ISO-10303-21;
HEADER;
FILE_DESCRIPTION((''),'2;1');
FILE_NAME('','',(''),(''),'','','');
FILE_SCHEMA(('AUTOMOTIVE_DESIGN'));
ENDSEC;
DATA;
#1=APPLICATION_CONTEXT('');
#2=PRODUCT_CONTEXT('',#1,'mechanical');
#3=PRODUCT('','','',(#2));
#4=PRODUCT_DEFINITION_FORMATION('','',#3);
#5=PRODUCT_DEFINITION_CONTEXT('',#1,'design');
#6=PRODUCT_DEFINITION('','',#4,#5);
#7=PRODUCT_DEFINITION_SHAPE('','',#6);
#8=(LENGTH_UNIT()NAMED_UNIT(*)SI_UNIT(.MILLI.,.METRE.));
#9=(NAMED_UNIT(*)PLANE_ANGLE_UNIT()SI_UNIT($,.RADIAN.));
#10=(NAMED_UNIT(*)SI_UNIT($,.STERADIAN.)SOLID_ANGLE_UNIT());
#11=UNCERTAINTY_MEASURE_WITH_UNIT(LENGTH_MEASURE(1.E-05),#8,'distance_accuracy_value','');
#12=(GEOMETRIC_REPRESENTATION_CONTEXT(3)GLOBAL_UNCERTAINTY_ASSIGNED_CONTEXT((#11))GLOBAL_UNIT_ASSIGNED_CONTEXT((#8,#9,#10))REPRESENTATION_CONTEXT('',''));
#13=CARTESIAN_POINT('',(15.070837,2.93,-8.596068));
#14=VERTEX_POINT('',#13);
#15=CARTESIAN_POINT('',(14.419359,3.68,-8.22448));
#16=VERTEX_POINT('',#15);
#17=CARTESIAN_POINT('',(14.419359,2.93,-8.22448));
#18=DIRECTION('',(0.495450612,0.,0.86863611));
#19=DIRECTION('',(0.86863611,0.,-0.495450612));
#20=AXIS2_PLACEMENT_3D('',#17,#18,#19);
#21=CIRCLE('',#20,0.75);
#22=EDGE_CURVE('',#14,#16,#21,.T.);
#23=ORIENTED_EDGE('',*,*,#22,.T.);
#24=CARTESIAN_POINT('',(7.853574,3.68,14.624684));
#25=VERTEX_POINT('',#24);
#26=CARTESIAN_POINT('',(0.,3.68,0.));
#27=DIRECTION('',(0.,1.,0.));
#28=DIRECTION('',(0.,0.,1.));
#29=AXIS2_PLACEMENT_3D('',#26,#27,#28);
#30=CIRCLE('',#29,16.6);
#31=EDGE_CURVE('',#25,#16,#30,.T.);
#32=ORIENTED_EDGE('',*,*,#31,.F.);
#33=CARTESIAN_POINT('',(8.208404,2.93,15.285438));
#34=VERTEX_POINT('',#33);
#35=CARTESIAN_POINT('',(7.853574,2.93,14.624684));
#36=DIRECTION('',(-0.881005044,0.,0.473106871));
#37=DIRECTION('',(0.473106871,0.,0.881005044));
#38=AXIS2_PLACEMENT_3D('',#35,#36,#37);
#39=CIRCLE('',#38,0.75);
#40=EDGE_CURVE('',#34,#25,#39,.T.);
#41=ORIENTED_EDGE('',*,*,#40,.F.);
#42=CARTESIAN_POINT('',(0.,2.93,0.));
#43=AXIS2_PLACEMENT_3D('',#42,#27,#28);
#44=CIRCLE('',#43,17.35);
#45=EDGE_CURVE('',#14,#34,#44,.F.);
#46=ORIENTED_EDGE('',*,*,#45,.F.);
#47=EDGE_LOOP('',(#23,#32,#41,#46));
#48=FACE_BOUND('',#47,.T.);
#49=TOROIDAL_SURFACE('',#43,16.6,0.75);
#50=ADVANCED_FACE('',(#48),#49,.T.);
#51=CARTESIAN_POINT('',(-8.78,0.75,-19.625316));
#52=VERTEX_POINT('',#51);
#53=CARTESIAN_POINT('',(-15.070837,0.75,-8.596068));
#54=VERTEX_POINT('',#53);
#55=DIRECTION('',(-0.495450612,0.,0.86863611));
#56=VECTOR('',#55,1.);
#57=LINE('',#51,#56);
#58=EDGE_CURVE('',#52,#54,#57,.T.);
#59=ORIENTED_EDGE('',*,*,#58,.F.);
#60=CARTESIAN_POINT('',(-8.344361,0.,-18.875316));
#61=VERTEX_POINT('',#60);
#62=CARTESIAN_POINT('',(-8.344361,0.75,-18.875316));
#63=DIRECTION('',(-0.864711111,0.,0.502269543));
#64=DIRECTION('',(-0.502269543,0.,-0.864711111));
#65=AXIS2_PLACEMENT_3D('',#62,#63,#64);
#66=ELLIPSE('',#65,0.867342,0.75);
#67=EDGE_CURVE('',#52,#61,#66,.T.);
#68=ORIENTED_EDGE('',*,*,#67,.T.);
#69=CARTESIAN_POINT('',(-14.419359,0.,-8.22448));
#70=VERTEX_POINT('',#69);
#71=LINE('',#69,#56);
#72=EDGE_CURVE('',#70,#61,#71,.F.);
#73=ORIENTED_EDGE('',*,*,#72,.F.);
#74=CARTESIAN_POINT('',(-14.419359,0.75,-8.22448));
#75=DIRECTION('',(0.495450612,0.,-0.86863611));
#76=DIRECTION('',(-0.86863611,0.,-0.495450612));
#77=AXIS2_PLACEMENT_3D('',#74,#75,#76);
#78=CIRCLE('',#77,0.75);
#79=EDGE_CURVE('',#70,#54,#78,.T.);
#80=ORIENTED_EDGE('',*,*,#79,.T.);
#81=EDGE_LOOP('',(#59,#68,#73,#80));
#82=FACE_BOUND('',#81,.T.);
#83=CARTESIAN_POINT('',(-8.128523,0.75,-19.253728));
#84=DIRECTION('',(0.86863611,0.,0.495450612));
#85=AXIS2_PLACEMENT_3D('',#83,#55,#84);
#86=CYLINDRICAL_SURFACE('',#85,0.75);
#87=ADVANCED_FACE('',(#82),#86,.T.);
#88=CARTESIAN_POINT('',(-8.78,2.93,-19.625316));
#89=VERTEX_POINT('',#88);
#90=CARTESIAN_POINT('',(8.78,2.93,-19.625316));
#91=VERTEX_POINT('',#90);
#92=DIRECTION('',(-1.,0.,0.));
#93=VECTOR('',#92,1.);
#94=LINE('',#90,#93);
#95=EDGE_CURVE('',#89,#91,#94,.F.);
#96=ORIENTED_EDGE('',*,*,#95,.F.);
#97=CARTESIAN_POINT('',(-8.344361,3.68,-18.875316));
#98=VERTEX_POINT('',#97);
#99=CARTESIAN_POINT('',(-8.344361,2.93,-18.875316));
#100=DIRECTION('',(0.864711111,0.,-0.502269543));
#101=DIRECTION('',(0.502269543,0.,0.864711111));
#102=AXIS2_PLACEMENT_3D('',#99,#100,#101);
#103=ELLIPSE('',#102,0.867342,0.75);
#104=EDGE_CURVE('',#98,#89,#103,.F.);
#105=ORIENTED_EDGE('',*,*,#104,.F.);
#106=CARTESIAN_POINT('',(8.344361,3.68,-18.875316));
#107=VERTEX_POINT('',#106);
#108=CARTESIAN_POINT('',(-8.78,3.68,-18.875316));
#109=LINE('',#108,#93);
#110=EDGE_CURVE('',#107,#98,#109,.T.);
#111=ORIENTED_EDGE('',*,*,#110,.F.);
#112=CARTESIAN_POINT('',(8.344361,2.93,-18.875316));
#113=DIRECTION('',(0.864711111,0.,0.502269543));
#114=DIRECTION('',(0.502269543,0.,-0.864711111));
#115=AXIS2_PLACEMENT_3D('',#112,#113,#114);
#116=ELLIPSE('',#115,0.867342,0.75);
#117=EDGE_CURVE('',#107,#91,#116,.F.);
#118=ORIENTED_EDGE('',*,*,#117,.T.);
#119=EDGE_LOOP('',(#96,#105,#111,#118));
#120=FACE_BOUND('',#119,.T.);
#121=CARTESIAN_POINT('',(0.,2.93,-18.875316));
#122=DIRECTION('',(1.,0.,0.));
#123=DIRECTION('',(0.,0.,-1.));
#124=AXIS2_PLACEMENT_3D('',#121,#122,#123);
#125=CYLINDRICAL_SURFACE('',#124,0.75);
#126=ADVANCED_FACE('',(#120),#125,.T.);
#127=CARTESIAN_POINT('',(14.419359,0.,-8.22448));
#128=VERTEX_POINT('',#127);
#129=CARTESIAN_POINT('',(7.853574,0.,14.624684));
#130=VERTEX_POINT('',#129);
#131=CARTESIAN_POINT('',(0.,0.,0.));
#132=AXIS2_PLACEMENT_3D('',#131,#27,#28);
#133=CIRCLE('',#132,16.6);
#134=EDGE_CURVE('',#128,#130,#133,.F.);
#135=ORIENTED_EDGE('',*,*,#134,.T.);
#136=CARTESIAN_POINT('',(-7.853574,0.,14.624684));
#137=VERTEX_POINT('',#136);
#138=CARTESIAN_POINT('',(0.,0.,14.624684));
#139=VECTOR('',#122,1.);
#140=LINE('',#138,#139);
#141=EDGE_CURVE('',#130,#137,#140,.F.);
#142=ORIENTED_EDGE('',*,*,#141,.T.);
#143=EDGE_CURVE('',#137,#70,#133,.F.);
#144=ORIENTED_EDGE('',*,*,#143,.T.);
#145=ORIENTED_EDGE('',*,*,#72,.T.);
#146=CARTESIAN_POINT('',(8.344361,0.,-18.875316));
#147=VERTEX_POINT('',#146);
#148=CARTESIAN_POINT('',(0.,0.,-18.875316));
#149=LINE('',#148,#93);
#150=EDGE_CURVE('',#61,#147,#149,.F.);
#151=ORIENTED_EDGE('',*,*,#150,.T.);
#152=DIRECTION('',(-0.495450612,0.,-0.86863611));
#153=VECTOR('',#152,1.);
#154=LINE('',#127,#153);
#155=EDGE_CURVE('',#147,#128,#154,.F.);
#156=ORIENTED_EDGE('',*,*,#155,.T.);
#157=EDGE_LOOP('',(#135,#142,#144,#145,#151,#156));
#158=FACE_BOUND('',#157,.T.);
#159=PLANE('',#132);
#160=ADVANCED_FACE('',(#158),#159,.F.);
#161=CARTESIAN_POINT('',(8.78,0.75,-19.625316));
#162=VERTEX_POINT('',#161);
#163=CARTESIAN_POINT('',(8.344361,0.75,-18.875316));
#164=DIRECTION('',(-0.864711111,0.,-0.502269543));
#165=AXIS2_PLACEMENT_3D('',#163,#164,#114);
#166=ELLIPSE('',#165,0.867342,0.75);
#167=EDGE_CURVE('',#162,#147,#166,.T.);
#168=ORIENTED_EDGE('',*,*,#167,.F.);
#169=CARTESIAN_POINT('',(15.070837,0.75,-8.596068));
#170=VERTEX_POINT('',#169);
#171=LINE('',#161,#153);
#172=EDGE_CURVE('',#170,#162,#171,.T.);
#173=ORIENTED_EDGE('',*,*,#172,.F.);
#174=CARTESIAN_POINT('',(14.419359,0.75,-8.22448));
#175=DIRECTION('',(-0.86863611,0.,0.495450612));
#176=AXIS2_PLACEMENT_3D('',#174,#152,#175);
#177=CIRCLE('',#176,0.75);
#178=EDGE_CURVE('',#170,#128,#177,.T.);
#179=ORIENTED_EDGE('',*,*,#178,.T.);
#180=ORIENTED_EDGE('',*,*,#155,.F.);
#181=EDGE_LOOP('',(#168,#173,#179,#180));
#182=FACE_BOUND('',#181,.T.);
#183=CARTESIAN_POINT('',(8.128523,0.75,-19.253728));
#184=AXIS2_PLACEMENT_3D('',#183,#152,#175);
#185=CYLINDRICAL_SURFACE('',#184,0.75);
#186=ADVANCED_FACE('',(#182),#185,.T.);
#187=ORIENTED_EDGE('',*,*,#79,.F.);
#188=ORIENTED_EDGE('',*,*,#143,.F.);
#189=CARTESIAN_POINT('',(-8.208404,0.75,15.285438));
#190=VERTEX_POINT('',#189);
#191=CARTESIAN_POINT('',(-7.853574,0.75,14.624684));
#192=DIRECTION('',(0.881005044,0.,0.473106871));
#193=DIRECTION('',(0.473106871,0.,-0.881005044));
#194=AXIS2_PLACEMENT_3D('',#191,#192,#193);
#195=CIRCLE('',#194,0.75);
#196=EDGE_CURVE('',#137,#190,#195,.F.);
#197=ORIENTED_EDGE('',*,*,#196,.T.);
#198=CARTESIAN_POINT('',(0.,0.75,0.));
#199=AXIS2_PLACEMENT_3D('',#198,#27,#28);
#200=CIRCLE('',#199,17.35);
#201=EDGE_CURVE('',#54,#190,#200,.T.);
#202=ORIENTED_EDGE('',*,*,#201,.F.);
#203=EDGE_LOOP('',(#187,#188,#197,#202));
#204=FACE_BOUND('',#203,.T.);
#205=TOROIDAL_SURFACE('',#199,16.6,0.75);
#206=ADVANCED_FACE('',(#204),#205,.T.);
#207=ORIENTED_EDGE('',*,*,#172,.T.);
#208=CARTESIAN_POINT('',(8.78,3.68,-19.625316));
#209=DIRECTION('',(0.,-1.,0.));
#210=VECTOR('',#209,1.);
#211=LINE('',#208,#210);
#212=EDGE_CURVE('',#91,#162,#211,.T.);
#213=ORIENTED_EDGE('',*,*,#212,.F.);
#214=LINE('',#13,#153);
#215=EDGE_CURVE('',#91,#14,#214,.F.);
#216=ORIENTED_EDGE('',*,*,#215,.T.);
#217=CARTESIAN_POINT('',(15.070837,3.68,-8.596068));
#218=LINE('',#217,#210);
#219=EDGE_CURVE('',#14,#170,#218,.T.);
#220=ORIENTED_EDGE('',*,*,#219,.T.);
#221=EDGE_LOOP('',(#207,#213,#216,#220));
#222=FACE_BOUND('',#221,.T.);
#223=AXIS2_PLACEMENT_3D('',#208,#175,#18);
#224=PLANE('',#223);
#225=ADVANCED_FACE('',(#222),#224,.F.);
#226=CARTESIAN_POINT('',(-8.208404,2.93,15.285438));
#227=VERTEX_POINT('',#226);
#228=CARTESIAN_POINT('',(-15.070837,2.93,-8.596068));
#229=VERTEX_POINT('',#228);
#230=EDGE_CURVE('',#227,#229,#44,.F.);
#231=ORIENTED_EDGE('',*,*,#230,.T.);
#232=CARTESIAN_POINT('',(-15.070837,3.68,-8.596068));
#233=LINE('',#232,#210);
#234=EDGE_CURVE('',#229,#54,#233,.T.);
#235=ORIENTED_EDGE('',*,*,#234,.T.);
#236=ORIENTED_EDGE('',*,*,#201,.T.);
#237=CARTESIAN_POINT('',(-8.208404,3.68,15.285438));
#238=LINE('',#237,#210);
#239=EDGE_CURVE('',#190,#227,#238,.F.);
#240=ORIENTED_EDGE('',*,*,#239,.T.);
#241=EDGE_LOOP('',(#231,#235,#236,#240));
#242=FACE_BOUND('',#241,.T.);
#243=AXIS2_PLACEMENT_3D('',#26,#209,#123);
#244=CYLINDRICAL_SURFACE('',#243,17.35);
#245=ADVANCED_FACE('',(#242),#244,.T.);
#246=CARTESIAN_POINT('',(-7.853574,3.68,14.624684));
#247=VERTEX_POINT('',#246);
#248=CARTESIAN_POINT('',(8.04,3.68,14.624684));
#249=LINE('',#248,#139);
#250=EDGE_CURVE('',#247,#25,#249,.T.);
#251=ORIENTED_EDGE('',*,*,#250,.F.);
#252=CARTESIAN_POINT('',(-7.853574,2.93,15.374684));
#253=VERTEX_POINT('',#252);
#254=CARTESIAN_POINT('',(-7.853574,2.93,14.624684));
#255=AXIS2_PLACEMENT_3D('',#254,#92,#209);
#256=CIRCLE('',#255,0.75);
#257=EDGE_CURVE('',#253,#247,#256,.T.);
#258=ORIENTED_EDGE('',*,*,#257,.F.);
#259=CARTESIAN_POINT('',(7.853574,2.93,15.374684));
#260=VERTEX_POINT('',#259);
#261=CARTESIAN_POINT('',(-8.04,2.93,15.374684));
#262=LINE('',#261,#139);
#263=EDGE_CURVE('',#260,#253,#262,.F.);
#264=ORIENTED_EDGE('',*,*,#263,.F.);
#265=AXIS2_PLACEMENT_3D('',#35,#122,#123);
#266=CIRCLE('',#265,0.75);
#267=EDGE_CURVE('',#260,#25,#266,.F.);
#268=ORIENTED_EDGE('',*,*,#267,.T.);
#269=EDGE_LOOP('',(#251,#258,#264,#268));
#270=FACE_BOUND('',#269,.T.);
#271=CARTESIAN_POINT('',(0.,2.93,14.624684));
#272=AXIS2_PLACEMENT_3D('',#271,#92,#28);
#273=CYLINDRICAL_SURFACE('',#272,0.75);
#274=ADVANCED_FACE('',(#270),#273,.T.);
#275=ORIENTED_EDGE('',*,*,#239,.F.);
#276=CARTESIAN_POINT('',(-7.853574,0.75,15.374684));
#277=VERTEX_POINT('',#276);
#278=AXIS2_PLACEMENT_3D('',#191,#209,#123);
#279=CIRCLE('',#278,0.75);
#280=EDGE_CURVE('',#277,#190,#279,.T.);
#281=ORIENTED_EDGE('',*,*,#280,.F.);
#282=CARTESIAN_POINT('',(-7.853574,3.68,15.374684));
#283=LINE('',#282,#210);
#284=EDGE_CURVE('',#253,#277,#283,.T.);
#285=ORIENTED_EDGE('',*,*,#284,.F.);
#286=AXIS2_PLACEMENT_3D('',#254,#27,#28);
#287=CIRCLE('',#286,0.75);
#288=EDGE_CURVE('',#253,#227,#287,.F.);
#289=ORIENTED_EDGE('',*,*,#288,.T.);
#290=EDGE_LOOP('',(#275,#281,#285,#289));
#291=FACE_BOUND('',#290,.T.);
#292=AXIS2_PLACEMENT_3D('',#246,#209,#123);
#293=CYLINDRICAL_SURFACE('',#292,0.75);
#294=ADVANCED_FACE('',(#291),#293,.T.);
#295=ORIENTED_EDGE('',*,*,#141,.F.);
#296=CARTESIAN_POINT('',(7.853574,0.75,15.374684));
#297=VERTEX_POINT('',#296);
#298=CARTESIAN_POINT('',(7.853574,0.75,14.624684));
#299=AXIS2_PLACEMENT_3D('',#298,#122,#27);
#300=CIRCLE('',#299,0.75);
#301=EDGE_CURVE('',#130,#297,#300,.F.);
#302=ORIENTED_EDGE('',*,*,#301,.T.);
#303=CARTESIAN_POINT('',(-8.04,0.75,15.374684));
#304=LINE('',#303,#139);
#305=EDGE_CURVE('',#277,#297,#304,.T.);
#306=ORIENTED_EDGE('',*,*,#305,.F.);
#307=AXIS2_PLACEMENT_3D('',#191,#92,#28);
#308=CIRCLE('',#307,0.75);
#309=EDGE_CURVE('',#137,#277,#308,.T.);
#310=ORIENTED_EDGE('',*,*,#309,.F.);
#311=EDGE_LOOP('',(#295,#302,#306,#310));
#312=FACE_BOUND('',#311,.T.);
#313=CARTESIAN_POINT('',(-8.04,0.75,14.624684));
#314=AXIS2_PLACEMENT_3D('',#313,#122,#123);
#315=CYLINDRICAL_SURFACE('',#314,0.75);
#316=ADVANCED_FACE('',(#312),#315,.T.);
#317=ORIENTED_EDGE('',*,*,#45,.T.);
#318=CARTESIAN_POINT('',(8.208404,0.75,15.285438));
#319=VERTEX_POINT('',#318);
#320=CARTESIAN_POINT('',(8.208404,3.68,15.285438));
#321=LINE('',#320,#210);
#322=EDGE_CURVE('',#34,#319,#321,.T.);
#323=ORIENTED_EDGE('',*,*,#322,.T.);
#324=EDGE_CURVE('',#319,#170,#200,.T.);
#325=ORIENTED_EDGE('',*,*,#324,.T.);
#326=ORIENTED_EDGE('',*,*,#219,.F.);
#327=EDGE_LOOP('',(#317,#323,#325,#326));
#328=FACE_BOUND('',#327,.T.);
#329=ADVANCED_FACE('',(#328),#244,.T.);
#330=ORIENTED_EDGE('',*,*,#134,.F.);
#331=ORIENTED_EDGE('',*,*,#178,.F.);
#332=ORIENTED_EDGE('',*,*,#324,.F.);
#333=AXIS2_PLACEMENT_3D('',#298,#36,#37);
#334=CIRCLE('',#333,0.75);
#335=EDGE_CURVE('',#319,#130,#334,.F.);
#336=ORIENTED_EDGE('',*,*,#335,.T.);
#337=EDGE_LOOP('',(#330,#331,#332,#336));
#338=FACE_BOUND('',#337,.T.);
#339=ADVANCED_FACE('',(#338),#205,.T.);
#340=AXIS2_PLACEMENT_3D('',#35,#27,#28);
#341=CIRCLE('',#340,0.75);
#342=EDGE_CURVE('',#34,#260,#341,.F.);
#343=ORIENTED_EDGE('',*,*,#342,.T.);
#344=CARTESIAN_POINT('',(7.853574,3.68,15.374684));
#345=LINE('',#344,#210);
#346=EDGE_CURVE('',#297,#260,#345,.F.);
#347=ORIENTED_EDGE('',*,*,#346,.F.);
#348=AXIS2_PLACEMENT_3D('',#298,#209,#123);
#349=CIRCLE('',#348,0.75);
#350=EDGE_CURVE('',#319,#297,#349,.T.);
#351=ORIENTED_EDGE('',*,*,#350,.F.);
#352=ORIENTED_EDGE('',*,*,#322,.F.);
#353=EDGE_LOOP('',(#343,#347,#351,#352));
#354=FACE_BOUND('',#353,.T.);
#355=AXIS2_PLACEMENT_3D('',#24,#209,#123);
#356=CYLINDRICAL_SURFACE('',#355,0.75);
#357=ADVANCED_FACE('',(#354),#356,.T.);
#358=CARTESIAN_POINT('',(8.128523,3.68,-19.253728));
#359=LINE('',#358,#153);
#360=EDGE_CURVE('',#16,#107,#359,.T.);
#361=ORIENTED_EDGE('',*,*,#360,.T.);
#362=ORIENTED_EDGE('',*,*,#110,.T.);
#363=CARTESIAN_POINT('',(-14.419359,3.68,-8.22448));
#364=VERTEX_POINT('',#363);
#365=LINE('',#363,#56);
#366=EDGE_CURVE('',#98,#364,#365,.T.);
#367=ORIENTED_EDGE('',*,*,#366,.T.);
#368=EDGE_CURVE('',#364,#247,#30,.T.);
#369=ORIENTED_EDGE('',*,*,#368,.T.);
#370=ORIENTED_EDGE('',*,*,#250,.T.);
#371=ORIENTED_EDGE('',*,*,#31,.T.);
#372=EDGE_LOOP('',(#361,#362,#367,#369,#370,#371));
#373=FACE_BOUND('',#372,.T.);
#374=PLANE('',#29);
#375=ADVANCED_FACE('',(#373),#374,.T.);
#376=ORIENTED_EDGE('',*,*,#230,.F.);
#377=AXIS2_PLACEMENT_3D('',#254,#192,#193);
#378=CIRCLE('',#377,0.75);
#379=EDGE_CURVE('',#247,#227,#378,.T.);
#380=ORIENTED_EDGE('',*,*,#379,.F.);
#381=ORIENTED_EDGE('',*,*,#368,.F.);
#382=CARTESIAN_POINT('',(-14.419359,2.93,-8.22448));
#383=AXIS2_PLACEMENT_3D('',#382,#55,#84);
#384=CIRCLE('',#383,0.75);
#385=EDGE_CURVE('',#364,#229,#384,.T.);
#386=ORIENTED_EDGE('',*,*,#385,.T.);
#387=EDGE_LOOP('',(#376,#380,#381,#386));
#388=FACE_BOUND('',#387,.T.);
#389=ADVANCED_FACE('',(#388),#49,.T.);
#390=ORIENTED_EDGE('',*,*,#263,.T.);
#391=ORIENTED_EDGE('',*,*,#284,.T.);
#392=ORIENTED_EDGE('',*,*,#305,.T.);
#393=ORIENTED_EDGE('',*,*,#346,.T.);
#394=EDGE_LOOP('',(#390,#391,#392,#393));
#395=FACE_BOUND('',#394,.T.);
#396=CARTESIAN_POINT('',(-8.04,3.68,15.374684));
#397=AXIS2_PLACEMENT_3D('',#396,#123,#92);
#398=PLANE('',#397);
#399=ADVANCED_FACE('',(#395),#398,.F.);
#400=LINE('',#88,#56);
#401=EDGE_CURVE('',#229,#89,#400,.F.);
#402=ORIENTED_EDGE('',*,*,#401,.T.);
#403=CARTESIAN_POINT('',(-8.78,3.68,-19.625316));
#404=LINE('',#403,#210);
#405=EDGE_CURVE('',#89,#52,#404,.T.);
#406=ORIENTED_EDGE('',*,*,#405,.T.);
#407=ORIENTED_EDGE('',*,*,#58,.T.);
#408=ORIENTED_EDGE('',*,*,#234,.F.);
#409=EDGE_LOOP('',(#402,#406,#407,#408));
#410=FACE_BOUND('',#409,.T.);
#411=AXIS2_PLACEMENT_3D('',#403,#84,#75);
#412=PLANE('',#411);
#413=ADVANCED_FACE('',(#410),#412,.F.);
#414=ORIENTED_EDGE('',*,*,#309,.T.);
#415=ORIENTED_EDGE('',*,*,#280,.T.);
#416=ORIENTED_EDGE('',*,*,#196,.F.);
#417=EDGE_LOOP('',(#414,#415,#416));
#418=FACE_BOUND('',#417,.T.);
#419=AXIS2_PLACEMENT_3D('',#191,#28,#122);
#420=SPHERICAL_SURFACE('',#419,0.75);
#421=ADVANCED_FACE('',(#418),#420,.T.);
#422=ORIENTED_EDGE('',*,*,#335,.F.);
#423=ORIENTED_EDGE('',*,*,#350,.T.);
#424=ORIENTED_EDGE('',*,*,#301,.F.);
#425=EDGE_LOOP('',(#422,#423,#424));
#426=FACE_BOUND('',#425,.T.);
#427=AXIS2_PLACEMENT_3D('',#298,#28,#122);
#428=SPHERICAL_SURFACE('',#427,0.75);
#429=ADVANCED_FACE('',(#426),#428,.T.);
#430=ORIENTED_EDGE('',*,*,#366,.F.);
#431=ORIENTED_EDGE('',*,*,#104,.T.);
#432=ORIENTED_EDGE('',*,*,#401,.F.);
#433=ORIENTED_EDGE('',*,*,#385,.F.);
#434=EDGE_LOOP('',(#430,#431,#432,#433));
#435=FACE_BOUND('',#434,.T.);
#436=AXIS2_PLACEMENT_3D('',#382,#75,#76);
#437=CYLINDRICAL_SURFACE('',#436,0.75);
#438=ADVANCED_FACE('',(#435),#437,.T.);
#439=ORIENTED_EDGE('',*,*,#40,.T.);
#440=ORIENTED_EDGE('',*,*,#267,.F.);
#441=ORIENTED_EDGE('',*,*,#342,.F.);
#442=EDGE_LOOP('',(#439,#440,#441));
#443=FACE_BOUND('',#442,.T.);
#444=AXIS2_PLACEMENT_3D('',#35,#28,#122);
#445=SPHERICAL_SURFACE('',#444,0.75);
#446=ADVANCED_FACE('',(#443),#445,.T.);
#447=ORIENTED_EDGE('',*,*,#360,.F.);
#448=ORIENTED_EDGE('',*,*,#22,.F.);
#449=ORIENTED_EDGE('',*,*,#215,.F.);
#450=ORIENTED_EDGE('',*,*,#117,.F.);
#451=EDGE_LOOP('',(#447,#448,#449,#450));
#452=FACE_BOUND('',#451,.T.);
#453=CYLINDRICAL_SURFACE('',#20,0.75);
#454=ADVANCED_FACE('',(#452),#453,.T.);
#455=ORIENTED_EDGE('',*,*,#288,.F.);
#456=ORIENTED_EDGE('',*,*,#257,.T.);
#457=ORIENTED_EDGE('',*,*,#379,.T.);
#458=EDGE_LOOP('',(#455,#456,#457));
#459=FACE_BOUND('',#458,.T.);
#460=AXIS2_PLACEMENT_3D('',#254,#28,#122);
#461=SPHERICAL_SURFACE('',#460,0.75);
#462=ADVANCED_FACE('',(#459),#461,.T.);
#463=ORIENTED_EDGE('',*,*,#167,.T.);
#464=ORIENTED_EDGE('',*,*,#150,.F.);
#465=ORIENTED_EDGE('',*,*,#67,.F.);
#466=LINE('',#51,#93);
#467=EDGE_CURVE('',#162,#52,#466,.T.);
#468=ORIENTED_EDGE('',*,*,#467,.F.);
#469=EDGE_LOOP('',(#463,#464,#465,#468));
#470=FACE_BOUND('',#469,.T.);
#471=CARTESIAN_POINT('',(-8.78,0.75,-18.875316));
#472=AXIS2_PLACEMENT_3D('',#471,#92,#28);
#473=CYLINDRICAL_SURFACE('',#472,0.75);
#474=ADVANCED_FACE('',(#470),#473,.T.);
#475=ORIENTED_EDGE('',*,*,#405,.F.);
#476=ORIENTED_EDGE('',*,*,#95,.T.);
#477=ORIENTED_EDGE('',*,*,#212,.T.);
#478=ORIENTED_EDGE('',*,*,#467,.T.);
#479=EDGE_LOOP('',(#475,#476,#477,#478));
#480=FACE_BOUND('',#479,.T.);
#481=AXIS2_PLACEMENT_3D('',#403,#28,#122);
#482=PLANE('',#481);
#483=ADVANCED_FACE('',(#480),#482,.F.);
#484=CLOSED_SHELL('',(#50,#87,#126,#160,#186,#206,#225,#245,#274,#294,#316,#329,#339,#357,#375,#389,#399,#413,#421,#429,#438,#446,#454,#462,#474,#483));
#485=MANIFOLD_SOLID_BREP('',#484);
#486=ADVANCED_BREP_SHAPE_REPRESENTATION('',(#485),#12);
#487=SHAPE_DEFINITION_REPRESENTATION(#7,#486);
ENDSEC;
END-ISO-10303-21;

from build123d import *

# Parameters (mm, degrees)
BOSS_EXTRUDE1_DEPTH = 3.68
FILLET1_R           = 0.75


with BuildPart() as part:
    # Sketch1 → Boss-Extrude1 (new body)
    with BuildSketch(Plane(origin=(0, 0, 0), x_dir=(1, 0, 0), z_dir=(0, 1, 0))):
        with BuildLine():
            Line((-8.04, -15.374683737), (8.04, -15.374683737))
            ThreePointArc((8.04, -15.374683737), (16.648631389, -4.883192899), (15.070836501, 8.596068122))
            Line((15.070836501, 8.596068122), (8.78, 19.625316263))
            Line((8.78, 19.625316263), (-8.78, 19.625316263))
            Line((-8.78, 19.625316263), (-15.070836501, 8.596068122))
            ThreePointArc((-15.070836501, 8.596068122), (-16.648631389, -4.883192899), (-8.04, -15.374683737))
        make_face()
    extrude(amount=BOSS_EXTRUDE1_DEPTH)

    # Fillet1
    fillet1_edges = [part.edges().sort_by_distance(p)[0] for p in [
        (8.04, 1.84, 15.374683737),
        (-8.04, 1.84, 15.374683737),
        (16.648631389, 3.68, 4.883192899),
        (11.92541825, 3.68, -14.110692193),
        (0, 3.68, -19.625316263),
        (-11.92541825, 3.68, -14.110692193),
        (-16.648631389, 3.68, 4.883192899),
        (-11.92541825, 0, -14.110692193),
        (0, 0, -19.625316263),
        (11.92541825, 0, -14.110692193),
        (16.648631389, 0, 4.883192899),
        (0, 0, 15.374683737),
        (-16.648631389, 0, 4.883192899),
        (0, 3.68, 15.374683737),
    ]]
    fillet(fillet1_edges, radius=FILLET1_R)


solid = part.part
